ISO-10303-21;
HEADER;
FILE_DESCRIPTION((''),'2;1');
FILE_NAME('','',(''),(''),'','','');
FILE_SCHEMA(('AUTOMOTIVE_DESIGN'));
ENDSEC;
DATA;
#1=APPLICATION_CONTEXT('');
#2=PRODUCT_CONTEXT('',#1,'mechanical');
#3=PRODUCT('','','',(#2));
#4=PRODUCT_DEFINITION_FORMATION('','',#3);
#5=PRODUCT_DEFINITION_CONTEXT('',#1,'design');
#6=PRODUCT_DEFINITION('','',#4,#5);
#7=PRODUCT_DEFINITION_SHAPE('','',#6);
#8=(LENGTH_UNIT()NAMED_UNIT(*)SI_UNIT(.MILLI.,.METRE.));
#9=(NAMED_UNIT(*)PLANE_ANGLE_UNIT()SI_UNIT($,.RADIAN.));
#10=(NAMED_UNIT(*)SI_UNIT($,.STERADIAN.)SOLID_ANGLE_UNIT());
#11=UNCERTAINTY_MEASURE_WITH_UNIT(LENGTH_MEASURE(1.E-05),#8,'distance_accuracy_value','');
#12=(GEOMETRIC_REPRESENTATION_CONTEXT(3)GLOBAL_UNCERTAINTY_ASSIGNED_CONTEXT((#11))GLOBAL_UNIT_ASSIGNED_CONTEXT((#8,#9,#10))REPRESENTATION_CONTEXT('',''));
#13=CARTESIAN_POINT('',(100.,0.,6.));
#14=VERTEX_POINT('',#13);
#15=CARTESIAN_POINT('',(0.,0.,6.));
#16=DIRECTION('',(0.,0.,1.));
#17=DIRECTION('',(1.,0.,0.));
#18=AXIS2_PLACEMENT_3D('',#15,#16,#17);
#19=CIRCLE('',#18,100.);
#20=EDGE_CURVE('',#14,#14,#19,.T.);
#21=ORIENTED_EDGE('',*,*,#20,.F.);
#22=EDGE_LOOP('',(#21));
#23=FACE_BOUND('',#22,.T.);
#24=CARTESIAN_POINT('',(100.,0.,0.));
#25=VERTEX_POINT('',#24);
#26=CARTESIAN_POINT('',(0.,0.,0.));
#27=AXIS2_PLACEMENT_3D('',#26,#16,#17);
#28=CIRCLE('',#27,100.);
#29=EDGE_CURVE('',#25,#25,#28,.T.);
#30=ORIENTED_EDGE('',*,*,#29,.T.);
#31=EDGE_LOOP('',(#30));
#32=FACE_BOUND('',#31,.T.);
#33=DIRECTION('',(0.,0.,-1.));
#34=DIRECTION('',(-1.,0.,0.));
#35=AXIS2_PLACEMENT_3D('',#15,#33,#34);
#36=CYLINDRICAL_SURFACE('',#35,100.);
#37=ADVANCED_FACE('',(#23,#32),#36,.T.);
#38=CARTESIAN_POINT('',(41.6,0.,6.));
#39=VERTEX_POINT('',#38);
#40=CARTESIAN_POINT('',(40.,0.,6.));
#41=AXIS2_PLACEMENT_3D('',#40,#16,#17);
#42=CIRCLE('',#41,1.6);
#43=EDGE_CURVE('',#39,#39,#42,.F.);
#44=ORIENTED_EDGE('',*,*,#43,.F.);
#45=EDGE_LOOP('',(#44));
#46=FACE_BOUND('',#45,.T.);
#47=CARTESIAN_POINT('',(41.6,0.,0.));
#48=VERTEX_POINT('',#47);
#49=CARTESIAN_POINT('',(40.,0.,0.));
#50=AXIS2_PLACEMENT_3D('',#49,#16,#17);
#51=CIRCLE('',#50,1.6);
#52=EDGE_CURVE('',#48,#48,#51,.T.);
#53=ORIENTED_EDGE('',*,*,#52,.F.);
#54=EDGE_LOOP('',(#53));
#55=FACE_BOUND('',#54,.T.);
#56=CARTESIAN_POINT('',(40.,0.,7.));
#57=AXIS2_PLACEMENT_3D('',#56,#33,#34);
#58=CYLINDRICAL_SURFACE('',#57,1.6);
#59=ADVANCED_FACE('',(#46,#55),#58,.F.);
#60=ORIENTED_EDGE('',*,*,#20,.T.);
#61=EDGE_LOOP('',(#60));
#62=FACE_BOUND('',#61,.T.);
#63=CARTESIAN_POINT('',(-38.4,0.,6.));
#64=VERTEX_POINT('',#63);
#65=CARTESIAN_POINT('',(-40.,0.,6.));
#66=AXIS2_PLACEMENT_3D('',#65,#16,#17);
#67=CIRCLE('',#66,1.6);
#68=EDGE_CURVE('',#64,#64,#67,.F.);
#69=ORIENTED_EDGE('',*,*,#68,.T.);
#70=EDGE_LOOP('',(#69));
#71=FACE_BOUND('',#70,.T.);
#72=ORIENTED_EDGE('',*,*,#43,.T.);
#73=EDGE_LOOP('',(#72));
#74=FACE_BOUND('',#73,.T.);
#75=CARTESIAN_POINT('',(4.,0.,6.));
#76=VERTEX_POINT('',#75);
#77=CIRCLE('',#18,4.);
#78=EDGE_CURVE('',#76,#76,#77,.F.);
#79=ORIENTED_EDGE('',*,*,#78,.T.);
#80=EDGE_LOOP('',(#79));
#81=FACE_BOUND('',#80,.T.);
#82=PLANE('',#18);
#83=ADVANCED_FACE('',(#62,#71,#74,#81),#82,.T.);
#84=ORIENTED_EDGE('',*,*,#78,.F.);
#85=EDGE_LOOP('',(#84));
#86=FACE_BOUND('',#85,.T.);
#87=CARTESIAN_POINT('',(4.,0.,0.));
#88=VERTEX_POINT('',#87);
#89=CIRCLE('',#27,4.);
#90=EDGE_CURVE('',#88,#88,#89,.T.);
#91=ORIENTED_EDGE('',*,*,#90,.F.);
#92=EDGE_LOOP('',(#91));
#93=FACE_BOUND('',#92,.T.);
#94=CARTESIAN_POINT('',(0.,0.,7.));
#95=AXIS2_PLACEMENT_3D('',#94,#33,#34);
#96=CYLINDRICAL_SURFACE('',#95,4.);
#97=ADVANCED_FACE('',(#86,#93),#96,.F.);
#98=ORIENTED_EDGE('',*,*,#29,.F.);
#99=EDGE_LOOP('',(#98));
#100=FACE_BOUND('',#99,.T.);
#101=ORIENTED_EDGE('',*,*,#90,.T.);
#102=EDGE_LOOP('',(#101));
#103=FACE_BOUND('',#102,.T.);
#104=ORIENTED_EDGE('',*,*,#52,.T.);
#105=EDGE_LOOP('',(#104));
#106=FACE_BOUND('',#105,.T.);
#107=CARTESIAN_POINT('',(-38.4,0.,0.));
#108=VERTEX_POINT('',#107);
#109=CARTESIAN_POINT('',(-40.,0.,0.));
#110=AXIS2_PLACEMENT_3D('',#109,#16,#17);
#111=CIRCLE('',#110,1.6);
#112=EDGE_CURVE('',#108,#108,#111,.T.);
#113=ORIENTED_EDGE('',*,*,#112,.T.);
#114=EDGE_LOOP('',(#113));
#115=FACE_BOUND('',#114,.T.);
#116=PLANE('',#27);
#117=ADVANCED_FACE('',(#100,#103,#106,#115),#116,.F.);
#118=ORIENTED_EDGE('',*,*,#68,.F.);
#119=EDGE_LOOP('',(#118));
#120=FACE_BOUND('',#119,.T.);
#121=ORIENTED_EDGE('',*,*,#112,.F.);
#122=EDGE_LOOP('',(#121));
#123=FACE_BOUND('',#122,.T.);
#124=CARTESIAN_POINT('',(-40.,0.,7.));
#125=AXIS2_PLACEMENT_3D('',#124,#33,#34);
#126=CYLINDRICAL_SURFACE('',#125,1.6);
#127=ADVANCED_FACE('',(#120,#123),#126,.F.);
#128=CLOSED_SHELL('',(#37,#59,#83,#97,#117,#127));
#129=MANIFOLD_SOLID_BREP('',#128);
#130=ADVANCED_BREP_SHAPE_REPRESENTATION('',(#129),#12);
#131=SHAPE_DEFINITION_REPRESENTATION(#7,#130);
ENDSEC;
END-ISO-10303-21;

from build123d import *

# Parameters (mm, degrees)
SKETCH1_R           = 100
BOSS_EXTRUDE1_DEPTH = 6
SKETCH2_R           = 4
SKETCH2_R_2         = 1.6
CUT_EXTRUDE2_DEPTH  = 7


with BuildPart() as part:
    # Sketch1 → Boss-Extrude1 (new body)
    with BuildSketch(Plane.XY):
        Circle(SKETCH1_R)
    extrude(amount=BOSS_EXTRUDE1_DEPTH)

    # Sketch2 → Cut-Extrude2 (cut)
    with BuildSketch(Plane.XY):
        Circle(SKETCH2_R)
        with Locations((40, 0)):
            Circle(SKETCH2_R_2)
        with Locations((-40, 0)):
            Circle(SKETCH2_R_2)
    extrude(amount=CUT_EXTRUDE2_DEPTH, mode=Mode.SUBTRACT)


solid = part.part
